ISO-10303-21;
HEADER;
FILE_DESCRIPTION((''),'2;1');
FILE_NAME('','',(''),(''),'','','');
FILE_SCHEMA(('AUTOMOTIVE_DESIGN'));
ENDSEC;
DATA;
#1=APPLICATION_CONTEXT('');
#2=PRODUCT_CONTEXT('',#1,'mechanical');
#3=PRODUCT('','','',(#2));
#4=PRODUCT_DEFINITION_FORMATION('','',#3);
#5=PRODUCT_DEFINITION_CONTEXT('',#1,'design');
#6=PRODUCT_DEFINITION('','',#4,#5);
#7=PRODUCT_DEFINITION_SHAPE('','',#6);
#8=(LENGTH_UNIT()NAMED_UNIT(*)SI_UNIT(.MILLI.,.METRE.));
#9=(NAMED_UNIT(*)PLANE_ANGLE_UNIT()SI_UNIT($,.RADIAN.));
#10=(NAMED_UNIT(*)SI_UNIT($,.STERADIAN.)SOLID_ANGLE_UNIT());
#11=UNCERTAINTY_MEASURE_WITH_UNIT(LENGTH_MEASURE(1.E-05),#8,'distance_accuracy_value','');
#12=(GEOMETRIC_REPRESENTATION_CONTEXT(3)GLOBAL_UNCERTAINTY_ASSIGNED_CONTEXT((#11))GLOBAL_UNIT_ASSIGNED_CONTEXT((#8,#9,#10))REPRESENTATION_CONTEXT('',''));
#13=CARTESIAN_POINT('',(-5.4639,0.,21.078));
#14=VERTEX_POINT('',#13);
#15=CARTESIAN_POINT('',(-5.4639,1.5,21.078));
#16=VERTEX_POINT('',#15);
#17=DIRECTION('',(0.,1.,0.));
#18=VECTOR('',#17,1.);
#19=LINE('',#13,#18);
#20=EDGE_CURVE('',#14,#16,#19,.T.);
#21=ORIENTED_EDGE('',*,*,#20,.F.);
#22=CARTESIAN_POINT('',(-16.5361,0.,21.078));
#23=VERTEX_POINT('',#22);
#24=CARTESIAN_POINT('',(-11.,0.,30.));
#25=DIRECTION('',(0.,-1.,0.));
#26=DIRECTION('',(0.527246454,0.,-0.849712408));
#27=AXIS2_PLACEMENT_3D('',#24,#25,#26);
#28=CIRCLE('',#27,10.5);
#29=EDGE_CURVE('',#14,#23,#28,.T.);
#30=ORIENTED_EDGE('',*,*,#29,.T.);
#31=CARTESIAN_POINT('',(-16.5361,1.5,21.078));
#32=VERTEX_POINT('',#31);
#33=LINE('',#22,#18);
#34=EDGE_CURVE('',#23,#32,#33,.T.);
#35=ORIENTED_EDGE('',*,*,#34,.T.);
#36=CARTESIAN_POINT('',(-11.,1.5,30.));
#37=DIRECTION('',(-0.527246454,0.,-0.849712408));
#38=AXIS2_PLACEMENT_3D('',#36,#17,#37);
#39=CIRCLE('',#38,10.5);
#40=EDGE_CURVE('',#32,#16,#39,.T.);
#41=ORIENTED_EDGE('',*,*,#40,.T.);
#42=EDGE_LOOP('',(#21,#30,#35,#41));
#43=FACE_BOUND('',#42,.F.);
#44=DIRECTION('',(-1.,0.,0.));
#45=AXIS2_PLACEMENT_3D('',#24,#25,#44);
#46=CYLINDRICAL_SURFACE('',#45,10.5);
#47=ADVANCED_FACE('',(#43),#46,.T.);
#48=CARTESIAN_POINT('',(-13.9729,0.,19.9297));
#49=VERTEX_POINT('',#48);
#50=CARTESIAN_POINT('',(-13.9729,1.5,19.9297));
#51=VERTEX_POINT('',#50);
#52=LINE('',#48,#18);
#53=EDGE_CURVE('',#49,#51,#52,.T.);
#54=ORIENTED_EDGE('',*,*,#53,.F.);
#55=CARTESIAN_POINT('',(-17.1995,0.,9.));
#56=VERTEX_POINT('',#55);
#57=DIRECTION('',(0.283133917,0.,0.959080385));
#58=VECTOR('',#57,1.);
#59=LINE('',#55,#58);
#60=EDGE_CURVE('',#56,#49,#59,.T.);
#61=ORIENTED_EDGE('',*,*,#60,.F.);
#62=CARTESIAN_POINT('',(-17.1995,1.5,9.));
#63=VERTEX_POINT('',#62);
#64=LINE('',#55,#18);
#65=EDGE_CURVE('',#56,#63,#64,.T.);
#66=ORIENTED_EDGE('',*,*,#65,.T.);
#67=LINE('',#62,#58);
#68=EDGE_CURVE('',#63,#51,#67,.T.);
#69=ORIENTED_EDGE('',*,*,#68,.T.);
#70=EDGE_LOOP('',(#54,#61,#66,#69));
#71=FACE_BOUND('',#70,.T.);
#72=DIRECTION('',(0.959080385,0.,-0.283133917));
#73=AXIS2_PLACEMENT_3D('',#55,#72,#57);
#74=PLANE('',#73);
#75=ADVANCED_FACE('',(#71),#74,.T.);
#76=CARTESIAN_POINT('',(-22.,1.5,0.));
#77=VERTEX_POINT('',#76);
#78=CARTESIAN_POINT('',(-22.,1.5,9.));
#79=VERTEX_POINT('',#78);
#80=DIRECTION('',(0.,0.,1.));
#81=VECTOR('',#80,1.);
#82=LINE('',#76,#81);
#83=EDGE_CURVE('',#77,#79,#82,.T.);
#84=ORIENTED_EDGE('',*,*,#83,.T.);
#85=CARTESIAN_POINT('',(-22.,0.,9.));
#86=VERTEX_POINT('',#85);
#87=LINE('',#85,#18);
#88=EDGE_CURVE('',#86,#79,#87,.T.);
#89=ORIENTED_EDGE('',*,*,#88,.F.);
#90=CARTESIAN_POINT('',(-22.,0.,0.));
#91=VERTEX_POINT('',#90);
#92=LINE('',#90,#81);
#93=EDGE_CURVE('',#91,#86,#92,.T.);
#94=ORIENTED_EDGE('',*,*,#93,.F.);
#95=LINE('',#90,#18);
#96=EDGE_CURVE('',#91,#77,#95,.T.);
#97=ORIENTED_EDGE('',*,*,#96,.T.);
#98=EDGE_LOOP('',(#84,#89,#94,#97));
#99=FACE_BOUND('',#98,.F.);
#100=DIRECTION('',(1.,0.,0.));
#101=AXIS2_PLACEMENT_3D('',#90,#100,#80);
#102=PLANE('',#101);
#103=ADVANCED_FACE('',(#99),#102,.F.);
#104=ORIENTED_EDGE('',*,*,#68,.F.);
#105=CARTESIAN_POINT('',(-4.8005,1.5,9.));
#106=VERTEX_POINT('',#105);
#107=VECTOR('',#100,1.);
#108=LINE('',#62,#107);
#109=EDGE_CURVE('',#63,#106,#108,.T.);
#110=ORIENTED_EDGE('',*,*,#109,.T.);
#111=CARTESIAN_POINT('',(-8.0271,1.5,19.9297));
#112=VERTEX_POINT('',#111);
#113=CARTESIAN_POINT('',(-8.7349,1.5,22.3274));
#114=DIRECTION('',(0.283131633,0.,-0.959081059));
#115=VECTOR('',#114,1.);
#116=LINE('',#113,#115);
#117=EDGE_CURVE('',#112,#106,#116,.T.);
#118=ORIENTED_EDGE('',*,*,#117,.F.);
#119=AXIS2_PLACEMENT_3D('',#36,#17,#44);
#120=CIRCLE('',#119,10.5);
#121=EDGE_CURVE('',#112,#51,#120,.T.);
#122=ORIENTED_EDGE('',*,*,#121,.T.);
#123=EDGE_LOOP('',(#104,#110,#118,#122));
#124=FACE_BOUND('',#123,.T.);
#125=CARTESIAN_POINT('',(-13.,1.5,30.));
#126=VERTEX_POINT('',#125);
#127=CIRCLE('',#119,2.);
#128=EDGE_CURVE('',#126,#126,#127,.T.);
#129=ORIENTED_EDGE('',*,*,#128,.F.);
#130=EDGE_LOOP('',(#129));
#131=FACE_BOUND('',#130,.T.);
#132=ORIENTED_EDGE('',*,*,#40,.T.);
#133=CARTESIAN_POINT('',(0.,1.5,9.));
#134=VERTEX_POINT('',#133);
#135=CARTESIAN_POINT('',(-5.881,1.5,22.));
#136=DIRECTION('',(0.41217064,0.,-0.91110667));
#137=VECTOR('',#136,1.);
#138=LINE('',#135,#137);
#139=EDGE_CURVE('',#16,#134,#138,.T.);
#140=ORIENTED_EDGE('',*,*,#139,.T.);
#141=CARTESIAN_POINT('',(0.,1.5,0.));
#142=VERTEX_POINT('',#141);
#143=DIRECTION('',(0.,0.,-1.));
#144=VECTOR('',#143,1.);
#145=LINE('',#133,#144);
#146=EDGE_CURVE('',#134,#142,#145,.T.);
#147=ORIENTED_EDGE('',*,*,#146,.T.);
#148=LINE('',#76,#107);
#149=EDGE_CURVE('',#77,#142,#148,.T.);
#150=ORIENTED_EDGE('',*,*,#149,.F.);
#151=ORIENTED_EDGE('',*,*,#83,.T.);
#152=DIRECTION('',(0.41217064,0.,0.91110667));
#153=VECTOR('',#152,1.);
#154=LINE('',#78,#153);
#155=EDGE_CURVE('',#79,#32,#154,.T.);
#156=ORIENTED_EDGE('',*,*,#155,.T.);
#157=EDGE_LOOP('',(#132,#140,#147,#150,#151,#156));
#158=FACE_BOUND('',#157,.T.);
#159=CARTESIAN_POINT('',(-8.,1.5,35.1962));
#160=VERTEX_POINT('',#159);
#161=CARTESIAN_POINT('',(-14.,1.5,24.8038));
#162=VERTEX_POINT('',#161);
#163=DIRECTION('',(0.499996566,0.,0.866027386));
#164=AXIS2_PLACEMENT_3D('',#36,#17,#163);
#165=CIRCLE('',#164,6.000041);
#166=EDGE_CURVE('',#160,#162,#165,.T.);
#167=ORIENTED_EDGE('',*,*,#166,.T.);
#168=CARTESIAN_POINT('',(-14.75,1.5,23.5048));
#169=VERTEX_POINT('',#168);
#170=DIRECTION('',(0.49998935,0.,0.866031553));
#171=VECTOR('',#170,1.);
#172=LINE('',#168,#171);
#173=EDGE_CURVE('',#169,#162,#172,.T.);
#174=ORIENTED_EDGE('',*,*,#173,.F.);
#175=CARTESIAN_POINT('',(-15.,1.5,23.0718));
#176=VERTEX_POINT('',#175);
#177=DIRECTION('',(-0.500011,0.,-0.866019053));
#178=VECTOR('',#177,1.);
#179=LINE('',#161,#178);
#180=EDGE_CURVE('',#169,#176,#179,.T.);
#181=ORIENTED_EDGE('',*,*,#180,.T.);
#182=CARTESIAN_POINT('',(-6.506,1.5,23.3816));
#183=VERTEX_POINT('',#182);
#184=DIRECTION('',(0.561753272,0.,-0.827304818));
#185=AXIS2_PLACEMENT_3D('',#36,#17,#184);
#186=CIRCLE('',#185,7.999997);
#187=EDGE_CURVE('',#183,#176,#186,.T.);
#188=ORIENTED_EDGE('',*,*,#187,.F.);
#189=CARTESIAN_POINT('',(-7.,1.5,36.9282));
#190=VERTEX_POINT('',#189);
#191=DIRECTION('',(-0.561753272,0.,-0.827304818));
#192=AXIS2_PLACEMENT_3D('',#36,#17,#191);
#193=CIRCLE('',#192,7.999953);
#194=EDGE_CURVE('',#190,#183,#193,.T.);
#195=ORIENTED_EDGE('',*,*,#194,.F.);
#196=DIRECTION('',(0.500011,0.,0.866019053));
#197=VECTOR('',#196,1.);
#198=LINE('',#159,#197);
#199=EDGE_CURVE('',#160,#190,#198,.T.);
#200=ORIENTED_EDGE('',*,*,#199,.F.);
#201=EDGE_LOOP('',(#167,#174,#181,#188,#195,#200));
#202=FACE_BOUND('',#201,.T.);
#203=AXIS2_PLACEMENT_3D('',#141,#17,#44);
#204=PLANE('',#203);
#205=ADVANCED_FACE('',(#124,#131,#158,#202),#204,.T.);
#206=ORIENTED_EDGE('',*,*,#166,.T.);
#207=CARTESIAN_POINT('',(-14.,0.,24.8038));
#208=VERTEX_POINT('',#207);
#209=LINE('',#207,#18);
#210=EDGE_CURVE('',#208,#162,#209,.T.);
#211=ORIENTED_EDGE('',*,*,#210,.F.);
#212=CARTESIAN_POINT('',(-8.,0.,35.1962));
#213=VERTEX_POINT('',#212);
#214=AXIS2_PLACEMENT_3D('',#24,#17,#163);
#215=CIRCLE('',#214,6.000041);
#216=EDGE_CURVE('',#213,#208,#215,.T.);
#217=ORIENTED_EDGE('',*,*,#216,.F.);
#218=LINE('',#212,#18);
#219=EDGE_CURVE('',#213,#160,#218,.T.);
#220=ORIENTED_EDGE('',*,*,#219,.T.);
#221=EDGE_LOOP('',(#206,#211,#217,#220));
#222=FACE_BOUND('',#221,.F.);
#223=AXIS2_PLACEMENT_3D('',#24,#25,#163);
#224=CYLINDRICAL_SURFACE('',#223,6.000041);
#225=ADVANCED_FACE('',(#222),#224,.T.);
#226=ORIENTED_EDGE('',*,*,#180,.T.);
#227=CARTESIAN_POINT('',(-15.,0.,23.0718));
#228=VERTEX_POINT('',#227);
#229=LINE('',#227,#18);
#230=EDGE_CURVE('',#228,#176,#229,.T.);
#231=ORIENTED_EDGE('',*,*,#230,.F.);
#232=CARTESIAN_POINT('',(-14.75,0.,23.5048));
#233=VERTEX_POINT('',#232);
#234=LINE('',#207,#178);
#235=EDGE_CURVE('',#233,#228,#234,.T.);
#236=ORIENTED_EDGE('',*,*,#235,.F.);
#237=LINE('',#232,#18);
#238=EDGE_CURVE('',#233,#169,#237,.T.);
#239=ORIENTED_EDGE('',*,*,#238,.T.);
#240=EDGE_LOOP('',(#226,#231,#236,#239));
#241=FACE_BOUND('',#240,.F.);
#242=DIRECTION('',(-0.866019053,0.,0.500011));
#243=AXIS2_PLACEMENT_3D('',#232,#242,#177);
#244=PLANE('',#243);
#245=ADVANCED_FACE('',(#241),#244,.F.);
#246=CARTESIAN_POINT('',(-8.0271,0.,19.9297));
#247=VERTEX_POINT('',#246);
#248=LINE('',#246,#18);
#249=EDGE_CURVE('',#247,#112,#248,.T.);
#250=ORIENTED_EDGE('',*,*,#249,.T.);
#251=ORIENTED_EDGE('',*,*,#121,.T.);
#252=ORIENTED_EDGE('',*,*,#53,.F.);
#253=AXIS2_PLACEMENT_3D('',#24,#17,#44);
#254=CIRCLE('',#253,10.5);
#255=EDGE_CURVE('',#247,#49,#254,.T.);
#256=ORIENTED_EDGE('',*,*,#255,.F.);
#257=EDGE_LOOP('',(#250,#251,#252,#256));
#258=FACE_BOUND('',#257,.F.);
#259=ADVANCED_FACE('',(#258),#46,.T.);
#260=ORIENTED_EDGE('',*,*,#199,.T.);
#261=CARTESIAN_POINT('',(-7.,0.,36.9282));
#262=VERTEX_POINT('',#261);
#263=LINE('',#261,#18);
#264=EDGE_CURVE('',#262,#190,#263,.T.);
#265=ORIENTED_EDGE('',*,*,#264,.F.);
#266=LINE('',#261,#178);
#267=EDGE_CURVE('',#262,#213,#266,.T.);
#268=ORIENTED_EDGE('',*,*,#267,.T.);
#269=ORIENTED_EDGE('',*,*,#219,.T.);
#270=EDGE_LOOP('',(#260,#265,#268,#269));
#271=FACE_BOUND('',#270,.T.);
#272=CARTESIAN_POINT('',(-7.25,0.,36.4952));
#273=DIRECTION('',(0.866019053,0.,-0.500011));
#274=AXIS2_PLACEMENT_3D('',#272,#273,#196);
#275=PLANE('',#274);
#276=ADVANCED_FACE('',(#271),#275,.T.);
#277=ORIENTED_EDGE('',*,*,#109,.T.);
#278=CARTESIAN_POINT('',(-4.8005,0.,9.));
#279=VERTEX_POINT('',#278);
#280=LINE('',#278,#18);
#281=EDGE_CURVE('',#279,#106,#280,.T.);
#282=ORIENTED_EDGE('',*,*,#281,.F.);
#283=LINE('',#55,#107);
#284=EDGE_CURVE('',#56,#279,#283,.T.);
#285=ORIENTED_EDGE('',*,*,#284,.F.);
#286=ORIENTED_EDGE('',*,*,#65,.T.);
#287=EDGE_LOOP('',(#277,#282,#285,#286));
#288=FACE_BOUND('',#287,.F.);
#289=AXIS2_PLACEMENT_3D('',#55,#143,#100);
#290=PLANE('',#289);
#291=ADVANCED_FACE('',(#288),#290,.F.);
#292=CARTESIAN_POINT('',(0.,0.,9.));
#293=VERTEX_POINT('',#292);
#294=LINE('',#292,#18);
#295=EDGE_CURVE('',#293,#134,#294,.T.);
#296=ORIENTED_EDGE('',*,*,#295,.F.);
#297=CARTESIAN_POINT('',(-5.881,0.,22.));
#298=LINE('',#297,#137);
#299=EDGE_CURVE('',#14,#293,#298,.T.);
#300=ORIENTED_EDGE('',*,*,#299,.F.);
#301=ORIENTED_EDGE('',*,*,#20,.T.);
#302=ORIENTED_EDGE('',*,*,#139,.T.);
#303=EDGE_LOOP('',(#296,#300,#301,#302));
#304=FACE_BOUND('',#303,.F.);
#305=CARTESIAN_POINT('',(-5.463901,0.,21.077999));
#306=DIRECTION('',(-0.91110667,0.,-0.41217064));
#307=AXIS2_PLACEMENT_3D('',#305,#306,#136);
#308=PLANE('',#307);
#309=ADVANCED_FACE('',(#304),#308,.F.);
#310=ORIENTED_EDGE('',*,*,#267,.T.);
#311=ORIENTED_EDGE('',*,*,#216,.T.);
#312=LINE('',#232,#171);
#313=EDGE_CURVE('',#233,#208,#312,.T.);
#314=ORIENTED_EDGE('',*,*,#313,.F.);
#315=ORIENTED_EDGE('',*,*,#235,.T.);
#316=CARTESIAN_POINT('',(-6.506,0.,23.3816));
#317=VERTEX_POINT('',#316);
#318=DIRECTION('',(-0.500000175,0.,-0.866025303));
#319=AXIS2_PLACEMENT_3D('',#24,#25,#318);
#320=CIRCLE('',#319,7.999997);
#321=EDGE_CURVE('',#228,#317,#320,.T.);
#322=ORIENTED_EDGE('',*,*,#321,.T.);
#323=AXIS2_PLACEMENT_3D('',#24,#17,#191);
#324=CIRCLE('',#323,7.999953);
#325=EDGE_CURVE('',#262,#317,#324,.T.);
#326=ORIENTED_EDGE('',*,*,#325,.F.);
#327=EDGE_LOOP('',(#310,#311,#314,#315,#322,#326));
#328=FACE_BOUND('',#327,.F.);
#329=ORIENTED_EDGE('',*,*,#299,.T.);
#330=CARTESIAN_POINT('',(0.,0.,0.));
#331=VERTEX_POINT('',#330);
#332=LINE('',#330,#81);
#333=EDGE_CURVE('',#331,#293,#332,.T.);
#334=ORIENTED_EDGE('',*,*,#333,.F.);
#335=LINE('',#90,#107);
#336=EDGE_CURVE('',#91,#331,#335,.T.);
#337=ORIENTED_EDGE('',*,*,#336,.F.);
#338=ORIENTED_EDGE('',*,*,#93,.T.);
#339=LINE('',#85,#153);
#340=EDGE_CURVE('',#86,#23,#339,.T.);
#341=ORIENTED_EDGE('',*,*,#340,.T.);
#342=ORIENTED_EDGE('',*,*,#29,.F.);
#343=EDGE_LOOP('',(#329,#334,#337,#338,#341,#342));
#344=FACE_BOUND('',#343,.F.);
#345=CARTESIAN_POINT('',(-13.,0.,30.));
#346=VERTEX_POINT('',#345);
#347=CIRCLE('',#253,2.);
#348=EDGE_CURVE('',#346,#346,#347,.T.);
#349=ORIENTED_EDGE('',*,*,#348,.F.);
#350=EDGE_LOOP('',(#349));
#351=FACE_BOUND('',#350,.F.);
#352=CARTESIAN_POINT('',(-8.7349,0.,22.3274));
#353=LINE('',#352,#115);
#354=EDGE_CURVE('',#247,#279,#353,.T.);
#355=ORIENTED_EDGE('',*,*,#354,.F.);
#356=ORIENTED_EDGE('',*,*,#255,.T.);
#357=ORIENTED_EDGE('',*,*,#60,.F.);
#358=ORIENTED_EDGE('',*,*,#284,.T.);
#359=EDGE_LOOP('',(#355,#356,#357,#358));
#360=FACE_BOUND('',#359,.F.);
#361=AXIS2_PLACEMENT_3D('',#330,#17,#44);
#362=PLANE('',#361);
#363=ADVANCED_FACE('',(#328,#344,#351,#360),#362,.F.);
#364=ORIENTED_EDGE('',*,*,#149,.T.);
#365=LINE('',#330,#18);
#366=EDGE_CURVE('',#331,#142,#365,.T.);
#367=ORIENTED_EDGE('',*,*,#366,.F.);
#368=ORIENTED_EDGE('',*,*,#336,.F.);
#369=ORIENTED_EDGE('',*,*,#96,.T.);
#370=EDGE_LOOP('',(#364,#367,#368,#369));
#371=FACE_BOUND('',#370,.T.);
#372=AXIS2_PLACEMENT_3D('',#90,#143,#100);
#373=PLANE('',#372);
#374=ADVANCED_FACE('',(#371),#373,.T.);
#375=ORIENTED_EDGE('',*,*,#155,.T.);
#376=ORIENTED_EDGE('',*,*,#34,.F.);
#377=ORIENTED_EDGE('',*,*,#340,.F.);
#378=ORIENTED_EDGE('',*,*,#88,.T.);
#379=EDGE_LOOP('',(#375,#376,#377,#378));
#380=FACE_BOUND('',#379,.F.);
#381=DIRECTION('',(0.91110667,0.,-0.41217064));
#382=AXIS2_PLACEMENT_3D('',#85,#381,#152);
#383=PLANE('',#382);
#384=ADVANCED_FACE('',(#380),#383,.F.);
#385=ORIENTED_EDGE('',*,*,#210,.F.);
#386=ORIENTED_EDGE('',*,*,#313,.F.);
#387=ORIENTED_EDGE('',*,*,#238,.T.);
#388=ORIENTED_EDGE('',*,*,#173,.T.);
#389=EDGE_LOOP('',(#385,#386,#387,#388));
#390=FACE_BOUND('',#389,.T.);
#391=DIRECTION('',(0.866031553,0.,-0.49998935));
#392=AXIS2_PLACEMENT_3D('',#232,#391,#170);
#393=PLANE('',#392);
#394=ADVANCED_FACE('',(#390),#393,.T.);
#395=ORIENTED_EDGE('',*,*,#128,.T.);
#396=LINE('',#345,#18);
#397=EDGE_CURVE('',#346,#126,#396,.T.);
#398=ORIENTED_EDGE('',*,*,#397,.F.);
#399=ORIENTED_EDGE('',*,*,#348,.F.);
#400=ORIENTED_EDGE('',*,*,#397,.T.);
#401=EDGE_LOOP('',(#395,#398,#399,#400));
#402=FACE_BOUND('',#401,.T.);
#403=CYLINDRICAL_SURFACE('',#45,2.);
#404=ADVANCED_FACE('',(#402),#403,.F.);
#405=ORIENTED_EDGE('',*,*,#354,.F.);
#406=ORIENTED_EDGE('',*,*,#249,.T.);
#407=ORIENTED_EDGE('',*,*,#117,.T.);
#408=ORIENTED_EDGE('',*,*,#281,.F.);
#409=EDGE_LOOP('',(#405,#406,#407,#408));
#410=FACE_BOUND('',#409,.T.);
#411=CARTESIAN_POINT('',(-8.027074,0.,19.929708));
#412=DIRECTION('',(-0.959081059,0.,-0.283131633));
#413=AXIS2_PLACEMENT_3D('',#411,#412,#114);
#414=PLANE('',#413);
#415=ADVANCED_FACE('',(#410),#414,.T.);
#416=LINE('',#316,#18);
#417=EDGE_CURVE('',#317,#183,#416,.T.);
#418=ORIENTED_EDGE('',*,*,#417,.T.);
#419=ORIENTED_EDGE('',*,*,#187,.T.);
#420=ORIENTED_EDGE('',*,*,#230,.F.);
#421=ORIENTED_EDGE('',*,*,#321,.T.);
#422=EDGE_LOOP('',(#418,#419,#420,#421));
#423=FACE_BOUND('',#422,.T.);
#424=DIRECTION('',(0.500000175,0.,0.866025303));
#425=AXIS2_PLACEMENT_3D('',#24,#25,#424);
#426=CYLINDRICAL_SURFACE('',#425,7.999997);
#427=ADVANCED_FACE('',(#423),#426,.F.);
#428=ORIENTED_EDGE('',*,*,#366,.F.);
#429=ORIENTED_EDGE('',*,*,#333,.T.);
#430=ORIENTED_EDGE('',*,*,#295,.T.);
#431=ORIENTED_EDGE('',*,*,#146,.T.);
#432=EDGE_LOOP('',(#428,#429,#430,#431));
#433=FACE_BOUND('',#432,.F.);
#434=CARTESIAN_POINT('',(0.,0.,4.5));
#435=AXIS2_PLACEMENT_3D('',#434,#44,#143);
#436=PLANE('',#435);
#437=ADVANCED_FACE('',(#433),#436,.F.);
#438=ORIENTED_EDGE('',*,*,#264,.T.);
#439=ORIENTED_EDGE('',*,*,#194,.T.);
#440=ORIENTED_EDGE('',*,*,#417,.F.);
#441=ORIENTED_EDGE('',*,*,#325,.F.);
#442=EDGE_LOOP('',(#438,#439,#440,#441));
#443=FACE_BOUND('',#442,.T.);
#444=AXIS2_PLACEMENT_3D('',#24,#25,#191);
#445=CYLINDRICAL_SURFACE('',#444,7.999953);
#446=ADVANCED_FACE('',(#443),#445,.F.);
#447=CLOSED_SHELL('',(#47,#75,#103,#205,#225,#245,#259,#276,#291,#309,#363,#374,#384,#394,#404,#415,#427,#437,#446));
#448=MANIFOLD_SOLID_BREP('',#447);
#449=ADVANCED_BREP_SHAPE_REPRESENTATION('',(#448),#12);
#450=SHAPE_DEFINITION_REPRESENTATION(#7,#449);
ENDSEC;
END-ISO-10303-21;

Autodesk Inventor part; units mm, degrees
ref_plane "YZ Plane" through (0, 0, 0) normal (1, 0, 0) x (0, 1, 0)
ref_plane "XZ Plane" through (0, 0, 0) normal (0, 1, 0) x (-1, 0, 0)
ref_plane "XY Plane" through (0, 0, 0) normal (0, 0, 1) x (1, 0, 0)
sketch "Skizze1" plane through (0, 0, 0) normal (0, 1, 0) x (-1, 0, 0)
  arc A0 (15.494, 23.3816) -> (6.506, 23.3816) centre (11, 30) ccw
  circle A1 centre (11, 30) radius 10.5
  circle A2 centre (11, 30) radius 2
  circle A3 centre (11, 30) radius 2
  arc A4 (7.25, 36.4952) -> (14.75, 23.5048) centre (11, 30) ccw
  line L0 (14.75, 23.5048) -> (13.75, 25.2369)
  arc A5 (8, 35.1962) -> (14, 24.8038) centre (11, 30) ccw
  arc A6 (7, 36.9282) -> (15, 23.0718) centre (11, 30) ccw
  line L1 (11, 30) -> (15, 23.0718) construction
  line L2 (11, 30) -> (19, 30) construction
  line L3 (11, 30) -> (7, 36.9282) construction
  line L4 (14, 24.8038) -> (15, 23.0718)
  line L5 (8, 35.1962) -> (7, 36.9282)
  line L6 (0, 4.5) -> (0, 9)
  line L7 (0, 9) -> (0, 0)
  line L8 (22, 0) -> (0, 0)
  line L9 (0, 0) -> (22, 0)
  line L10 (22, 9) -> (16.119, 22)
  line L11 (22, 0) -> (22, 9)
  line L12 (22, 9) -> (16.5361, 21.078)
  line L13 (5.881, 22) -> (0, 9)
  line L14 (0, 9) -> (5.4639, 21.078)
  line L15 (8.7349, 22.3274) -> (4.8005, 9)
  line L16 (8.0271, 19.9297) -> (4.8005, 9)
  line L17 (17.1995, 9) -> (4.8005, 9)
  line L18 (4.8005, 9) -> (17.1995, 9)
  line L19 (17.1995, 9) -> (13.9729, 19.9297)
  line L20 (13.2651, 22.3274) -> (17.1995, 9)
  point P0 (21, 0)
  point P1 (6.506, 23.3816)
  point P2 (7, 36.9282)
  dimension "d0" = 21
  dimension "d1" = 6
  dimension "d2" = 8
  dimension "d3" = 60
  dimension "d4" = 180
extrude "Extrusion1" add sketch "Skizze1" along normal blind 1.5 contours A0 A6 L15 A1 L20 L4 L0 A5 L5 | A6 L20 A1 L15 | L15 L17 L19 A1 L10 L11 L8 L7 L6 L13
ref_plane "Arbeitsebene1" through (-11, 0, 0) normal (-1, 0, 0) x (0, 0, 1)
equation "\"Biegeradius\" = Stärke"
equation "\"BreiteBiegungsfreistellung\" = Stärke"
equation "\"TiefeBiegungsfreistellung\" = 0.5 * Stärke"
equation "\"GrößeEckenfreistellung\" = 4 * Stärke"
equation "\"MinimalRest\" = 2 * Stärke"
equation "\"Übergangsradius\" = Biegeradius"
equation "\"JacobiRadiusGröße\" = Biegeradius"
equation "\"Abstandsgröße\" = Stärke"
equation "\"Stärke\" = 0.5"
properties part number "V3_O2"
